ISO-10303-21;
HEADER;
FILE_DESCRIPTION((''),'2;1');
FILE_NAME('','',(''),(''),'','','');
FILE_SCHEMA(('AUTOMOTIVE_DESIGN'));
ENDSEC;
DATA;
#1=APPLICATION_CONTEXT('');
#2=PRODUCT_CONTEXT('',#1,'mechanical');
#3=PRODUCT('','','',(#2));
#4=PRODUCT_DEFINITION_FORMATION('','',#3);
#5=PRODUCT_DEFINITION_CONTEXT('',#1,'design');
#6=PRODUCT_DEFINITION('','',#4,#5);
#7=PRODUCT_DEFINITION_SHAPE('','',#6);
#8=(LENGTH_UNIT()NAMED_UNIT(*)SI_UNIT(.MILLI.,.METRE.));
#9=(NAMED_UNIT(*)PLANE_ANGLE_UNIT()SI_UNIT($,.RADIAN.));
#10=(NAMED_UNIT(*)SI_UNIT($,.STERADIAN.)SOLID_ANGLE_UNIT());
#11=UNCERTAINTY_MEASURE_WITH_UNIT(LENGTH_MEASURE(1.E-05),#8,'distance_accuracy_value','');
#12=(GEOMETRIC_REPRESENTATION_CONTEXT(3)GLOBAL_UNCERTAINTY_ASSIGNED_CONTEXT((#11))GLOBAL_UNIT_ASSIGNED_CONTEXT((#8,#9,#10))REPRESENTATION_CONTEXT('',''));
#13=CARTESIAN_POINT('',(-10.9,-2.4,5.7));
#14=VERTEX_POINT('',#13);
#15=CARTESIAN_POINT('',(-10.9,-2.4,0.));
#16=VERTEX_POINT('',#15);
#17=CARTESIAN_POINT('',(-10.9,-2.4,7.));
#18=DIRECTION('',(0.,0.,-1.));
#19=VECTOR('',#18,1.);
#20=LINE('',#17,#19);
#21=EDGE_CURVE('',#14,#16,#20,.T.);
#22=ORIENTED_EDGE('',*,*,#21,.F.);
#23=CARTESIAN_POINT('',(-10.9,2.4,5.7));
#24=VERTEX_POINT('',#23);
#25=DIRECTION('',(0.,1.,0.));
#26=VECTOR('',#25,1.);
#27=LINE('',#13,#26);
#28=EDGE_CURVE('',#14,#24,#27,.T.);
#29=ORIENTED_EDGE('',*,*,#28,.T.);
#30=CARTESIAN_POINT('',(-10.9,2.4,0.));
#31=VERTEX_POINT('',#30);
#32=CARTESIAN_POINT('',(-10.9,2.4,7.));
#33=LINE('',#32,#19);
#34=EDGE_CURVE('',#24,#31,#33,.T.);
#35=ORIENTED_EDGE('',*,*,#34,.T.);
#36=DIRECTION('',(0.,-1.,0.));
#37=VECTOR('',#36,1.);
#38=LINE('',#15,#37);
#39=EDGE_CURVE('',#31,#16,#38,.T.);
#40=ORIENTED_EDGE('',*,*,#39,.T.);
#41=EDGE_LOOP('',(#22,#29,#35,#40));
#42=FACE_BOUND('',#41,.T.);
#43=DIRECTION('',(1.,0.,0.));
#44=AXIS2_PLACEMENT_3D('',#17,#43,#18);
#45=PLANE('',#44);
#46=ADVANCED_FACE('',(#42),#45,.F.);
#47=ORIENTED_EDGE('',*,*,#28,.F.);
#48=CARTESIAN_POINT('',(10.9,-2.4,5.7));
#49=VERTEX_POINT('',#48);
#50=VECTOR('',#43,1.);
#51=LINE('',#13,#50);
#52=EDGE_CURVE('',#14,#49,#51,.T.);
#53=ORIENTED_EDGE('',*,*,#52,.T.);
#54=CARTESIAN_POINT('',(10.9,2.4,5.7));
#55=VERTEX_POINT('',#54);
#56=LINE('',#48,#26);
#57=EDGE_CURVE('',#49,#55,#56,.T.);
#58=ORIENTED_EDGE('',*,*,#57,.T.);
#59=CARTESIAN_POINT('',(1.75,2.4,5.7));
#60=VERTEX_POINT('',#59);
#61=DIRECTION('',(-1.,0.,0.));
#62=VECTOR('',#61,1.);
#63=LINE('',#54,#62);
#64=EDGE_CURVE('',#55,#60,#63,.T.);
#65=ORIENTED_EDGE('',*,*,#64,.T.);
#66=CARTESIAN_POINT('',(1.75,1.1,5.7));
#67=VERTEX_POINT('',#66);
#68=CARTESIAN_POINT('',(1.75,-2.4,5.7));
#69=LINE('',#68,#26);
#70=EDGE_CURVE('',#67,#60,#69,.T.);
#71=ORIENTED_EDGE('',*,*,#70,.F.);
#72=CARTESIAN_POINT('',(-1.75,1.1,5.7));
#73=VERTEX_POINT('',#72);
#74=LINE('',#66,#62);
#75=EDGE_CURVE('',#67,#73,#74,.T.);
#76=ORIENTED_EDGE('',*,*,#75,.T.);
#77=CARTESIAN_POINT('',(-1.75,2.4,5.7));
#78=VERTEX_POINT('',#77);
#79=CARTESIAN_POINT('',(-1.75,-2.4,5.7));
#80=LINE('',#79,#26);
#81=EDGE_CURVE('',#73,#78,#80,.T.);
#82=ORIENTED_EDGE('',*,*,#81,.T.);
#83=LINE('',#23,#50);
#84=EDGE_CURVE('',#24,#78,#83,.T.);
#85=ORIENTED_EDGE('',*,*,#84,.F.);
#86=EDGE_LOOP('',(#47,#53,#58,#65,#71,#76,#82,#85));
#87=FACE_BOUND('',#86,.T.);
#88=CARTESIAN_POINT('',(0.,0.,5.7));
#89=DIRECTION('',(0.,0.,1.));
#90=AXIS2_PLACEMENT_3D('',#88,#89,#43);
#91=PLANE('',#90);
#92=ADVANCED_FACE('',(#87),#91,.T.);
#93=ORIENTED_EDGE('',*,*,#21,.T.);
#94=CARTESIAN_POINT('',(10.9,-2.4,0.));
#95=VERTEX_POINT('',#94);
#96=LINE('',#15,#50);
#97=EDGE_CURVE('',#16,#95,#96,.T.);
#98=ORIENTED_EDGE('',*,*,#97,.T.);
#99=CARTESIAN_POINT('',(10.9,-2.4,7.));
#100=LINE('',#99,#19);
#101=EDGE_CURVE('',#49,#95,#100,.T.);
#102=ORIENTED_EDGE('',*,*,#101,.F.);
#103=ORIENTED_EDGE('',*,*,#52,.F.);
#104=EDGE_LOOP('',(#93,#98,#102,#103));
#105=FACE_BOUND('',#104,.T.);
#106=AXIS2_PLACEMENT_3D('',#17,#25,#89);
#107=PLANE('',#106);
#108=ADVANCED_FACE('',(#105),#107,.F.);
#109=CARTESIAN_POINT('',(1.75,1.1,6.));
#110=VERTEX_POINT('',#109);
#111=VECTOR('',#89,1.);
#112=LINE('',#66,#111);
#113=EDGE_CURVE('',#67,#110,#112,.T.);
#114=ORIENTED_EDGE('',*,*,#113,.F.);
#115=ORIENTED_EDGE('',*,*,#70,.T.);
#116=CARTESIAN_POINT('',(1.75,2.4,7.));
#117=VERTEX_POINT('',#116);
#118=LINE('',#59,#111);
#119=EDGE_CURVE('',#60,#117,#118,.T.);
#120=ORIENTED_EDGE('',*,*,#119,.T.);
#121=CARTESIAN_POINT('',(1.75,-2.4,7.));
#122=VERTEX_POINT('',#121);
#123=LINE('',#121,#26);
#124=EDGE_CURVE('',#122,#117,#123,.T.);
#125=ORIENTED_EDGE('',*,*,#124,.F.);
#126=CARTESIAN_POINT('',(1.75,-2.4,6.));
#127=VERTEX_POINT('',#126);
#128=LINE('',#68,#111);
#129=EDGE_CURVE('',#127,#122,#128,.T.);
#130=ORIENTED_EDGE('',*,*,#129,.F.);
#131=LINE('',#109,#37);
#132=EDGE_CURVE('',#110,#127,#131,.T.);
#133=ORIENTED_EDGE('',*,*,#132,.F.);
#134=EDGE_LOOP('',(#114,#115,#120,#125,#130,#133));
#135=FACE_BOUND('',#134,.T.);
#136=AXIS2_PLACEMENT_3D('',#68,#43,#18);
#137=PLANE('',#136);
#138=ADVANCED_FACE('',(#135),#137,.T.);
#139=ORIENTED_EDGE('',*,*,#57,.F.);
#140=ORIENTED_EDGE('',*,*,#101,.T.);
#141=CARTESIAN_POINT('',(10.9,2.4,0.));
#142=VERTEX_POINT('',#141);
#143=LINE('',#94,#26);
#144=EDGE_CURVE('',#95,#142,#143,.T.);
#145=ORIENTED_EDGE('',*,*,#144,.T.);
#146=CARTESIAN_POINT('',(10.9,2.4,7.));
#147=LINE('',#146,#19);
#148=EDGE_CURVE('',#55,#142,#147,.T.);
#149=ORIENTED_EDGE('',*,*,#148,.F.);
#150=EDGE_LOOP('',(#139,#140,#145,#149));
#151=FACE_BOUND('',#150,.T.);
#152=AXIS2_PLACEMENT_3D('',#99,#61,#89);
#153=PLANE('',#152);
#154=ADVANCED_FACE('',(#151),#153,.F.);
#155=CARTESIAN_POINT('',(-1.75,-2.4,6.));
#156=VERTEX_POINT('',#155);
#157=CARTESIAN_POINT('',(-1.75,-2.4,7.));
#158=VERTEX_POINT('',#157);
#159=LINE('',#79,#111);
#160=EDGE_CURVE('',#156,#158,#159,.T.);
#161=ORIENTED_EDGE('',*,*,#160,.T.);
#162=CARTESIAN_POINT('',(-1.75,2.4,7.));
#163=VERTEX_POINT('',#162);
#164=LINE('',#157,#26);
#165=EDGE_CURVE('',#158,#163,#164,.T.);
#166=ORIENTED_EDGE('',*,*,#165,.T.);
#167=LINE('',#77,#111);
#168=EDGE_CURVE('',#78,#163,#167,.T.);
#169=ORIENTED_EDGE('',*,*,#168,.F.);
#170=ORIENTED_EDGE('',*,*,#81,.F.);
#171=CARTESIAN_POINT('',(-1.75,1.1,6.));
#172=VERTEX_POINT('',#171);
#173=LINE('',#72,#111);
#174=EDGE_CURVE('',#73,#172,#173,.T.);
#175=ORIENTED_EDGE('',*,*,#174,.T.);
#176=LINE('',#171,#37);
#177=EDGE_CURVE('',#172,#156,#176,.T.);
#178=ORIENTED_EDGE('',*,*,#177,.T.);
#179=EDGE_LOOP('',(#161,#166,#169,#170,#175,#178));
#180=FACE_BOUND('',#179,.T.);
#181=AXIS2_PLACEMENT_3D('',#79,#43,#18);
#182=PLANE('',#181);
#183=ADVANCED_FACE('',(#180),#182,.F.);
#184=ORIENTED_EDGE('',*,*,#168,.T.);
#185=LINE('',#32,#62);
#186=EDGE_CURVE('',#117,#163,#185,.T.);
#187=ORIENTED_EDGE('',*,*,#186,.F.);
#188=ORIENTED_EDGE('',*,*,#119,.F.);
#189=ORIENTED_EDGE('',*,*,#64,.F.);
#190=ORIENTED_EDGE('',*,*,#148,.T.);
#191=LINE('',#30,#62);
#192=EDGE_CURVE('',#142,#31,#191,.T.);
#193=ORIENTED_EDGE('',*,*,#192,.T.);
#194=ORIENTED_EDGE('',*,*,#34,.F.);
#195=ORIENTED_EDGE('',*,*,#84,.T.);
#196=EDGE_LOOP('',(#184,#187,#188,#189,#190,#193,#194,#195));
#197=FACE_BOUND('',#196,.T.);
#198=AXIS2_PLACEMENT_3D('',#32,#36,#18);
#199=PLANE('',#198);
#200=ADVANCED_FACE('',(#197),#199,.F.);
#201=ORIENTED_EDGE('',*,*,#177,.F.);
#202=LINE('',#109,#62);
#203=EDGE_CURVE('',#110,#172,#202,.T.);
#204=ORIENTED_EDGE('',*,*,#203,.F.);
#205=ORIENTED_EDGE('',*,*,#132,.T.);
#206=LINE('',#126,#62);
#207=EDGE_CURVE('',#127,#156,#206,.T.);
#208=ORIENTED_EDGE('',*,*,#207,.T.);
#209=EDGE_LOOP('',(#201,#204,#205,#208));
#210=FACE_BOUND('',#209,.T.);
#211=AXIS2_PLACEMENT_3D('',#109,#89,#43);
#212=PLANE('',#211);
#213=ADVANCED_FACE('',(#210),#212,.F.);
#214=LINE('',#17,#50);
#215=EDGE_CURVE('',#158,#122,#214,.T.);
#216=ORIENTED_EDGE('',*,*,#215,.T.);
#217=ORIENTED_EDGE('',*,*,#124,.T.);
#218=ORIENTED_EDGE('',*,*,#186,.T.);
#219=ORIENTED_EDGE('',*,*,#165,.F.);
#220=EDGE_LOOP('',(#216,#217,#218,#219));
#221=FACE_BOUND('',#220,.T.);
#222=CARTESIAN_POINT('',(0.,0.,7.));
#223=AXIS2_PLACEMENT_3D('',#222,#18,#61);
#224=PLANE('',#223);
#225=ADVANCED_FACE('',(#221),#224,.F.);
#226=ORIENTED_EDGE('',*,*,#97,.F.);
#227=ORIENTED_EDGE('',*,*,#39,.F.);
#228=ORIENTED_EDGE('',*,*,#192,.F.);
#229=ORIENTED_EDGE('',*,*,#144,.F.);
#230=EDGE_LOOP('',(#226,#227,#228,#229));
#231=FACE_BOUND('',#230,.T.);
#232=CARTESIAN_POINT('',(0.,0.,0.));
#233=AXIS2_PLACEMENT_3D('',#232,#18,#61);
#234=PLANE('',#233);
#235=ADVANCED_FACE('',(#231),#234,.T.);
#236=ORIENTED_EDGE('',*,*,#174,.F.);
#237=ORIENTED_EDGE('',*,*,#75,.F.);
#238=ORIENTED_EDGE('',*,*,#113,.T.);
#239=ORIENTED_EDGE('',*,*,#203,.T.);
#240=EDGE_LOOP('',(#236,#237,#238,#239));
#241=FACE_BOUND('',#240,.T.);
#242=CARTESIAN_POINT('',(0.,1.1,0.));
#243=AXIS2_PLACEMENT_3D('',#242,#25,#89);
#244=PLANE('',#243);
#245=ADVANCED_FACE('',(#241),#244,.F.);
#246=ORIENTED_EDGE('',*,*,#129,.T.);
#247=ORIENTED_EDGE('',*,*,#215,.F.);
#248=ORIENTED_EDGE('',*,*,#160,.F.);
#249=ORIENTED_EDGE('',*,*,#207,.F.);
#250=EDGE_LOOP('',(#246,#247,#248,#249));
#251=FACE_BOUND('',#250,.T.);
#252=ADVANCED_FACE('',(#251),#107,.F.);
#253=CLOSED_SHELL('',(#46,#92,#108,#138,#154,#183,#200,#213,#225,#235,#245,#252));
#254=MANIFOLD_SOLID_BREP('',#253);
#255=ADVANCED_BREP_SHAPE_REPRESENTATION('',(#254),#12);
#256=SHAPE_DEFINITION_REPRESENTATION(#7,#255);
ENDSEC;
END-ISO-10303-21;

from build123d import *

# Parameters (mm, degrees)
ESQUISSE1_W             = 21.8
ESQUISSE1_H             = 4.8
BOSS_EXTRU_1_DEPTH      = 7
ESQUISSE2_W             = 9.15
ESQUISSE2_H             = 4.8
ENL_V_MAT_EXTRU_1_DEPTH = 1.3
ESQUISSE3_W             = 3.5
ESQUISSE3_H             = 0.3
ENL_V_MAT_EXTRU_2_DEPTH = 3.5


with BuildPart() as part:
    # Esquisse1 → Boss.-Extru.1 (new body)
    with BuildSketch(Plane.XY):
        Rectangle(ESQUISSE1_W, ESQUISSE1_H)
    extrude(amount=BOSS_EXTRU_1_DEPTH)

    # Esquisse2 → Enlèv. mat.-Extru.1 (cut)
    with BuildSketch(Plane.XY.offset(7)):
        with Locations((-6.325, 0)):
            Rectangle(ESQUISSE2_W, ESQUISSE2_H)
        with Locations((6.325, 0)):
            Rectangle(ESQUISSE2_W, ESQUISSE2_H)
    extrude(amount=-ENL_V_MAT_EXTRU_1_DEPTH, mode=Mode.SUBTRACT)

    # Esquisse3 → Enlèv. mat.-Extru.2 (cut)
    with BuildSketch(Plane.XZ.offset(2.4)):
        with Locations((0, 5.85)):
            Rectangle(ESQUISSE3_W, ESQUISSE3_H)
    extrude(amount=-ENL_V_MAT_EXTRU_2_DEPTH, mode=Mode.SUBTRACT)


solid = part.part
